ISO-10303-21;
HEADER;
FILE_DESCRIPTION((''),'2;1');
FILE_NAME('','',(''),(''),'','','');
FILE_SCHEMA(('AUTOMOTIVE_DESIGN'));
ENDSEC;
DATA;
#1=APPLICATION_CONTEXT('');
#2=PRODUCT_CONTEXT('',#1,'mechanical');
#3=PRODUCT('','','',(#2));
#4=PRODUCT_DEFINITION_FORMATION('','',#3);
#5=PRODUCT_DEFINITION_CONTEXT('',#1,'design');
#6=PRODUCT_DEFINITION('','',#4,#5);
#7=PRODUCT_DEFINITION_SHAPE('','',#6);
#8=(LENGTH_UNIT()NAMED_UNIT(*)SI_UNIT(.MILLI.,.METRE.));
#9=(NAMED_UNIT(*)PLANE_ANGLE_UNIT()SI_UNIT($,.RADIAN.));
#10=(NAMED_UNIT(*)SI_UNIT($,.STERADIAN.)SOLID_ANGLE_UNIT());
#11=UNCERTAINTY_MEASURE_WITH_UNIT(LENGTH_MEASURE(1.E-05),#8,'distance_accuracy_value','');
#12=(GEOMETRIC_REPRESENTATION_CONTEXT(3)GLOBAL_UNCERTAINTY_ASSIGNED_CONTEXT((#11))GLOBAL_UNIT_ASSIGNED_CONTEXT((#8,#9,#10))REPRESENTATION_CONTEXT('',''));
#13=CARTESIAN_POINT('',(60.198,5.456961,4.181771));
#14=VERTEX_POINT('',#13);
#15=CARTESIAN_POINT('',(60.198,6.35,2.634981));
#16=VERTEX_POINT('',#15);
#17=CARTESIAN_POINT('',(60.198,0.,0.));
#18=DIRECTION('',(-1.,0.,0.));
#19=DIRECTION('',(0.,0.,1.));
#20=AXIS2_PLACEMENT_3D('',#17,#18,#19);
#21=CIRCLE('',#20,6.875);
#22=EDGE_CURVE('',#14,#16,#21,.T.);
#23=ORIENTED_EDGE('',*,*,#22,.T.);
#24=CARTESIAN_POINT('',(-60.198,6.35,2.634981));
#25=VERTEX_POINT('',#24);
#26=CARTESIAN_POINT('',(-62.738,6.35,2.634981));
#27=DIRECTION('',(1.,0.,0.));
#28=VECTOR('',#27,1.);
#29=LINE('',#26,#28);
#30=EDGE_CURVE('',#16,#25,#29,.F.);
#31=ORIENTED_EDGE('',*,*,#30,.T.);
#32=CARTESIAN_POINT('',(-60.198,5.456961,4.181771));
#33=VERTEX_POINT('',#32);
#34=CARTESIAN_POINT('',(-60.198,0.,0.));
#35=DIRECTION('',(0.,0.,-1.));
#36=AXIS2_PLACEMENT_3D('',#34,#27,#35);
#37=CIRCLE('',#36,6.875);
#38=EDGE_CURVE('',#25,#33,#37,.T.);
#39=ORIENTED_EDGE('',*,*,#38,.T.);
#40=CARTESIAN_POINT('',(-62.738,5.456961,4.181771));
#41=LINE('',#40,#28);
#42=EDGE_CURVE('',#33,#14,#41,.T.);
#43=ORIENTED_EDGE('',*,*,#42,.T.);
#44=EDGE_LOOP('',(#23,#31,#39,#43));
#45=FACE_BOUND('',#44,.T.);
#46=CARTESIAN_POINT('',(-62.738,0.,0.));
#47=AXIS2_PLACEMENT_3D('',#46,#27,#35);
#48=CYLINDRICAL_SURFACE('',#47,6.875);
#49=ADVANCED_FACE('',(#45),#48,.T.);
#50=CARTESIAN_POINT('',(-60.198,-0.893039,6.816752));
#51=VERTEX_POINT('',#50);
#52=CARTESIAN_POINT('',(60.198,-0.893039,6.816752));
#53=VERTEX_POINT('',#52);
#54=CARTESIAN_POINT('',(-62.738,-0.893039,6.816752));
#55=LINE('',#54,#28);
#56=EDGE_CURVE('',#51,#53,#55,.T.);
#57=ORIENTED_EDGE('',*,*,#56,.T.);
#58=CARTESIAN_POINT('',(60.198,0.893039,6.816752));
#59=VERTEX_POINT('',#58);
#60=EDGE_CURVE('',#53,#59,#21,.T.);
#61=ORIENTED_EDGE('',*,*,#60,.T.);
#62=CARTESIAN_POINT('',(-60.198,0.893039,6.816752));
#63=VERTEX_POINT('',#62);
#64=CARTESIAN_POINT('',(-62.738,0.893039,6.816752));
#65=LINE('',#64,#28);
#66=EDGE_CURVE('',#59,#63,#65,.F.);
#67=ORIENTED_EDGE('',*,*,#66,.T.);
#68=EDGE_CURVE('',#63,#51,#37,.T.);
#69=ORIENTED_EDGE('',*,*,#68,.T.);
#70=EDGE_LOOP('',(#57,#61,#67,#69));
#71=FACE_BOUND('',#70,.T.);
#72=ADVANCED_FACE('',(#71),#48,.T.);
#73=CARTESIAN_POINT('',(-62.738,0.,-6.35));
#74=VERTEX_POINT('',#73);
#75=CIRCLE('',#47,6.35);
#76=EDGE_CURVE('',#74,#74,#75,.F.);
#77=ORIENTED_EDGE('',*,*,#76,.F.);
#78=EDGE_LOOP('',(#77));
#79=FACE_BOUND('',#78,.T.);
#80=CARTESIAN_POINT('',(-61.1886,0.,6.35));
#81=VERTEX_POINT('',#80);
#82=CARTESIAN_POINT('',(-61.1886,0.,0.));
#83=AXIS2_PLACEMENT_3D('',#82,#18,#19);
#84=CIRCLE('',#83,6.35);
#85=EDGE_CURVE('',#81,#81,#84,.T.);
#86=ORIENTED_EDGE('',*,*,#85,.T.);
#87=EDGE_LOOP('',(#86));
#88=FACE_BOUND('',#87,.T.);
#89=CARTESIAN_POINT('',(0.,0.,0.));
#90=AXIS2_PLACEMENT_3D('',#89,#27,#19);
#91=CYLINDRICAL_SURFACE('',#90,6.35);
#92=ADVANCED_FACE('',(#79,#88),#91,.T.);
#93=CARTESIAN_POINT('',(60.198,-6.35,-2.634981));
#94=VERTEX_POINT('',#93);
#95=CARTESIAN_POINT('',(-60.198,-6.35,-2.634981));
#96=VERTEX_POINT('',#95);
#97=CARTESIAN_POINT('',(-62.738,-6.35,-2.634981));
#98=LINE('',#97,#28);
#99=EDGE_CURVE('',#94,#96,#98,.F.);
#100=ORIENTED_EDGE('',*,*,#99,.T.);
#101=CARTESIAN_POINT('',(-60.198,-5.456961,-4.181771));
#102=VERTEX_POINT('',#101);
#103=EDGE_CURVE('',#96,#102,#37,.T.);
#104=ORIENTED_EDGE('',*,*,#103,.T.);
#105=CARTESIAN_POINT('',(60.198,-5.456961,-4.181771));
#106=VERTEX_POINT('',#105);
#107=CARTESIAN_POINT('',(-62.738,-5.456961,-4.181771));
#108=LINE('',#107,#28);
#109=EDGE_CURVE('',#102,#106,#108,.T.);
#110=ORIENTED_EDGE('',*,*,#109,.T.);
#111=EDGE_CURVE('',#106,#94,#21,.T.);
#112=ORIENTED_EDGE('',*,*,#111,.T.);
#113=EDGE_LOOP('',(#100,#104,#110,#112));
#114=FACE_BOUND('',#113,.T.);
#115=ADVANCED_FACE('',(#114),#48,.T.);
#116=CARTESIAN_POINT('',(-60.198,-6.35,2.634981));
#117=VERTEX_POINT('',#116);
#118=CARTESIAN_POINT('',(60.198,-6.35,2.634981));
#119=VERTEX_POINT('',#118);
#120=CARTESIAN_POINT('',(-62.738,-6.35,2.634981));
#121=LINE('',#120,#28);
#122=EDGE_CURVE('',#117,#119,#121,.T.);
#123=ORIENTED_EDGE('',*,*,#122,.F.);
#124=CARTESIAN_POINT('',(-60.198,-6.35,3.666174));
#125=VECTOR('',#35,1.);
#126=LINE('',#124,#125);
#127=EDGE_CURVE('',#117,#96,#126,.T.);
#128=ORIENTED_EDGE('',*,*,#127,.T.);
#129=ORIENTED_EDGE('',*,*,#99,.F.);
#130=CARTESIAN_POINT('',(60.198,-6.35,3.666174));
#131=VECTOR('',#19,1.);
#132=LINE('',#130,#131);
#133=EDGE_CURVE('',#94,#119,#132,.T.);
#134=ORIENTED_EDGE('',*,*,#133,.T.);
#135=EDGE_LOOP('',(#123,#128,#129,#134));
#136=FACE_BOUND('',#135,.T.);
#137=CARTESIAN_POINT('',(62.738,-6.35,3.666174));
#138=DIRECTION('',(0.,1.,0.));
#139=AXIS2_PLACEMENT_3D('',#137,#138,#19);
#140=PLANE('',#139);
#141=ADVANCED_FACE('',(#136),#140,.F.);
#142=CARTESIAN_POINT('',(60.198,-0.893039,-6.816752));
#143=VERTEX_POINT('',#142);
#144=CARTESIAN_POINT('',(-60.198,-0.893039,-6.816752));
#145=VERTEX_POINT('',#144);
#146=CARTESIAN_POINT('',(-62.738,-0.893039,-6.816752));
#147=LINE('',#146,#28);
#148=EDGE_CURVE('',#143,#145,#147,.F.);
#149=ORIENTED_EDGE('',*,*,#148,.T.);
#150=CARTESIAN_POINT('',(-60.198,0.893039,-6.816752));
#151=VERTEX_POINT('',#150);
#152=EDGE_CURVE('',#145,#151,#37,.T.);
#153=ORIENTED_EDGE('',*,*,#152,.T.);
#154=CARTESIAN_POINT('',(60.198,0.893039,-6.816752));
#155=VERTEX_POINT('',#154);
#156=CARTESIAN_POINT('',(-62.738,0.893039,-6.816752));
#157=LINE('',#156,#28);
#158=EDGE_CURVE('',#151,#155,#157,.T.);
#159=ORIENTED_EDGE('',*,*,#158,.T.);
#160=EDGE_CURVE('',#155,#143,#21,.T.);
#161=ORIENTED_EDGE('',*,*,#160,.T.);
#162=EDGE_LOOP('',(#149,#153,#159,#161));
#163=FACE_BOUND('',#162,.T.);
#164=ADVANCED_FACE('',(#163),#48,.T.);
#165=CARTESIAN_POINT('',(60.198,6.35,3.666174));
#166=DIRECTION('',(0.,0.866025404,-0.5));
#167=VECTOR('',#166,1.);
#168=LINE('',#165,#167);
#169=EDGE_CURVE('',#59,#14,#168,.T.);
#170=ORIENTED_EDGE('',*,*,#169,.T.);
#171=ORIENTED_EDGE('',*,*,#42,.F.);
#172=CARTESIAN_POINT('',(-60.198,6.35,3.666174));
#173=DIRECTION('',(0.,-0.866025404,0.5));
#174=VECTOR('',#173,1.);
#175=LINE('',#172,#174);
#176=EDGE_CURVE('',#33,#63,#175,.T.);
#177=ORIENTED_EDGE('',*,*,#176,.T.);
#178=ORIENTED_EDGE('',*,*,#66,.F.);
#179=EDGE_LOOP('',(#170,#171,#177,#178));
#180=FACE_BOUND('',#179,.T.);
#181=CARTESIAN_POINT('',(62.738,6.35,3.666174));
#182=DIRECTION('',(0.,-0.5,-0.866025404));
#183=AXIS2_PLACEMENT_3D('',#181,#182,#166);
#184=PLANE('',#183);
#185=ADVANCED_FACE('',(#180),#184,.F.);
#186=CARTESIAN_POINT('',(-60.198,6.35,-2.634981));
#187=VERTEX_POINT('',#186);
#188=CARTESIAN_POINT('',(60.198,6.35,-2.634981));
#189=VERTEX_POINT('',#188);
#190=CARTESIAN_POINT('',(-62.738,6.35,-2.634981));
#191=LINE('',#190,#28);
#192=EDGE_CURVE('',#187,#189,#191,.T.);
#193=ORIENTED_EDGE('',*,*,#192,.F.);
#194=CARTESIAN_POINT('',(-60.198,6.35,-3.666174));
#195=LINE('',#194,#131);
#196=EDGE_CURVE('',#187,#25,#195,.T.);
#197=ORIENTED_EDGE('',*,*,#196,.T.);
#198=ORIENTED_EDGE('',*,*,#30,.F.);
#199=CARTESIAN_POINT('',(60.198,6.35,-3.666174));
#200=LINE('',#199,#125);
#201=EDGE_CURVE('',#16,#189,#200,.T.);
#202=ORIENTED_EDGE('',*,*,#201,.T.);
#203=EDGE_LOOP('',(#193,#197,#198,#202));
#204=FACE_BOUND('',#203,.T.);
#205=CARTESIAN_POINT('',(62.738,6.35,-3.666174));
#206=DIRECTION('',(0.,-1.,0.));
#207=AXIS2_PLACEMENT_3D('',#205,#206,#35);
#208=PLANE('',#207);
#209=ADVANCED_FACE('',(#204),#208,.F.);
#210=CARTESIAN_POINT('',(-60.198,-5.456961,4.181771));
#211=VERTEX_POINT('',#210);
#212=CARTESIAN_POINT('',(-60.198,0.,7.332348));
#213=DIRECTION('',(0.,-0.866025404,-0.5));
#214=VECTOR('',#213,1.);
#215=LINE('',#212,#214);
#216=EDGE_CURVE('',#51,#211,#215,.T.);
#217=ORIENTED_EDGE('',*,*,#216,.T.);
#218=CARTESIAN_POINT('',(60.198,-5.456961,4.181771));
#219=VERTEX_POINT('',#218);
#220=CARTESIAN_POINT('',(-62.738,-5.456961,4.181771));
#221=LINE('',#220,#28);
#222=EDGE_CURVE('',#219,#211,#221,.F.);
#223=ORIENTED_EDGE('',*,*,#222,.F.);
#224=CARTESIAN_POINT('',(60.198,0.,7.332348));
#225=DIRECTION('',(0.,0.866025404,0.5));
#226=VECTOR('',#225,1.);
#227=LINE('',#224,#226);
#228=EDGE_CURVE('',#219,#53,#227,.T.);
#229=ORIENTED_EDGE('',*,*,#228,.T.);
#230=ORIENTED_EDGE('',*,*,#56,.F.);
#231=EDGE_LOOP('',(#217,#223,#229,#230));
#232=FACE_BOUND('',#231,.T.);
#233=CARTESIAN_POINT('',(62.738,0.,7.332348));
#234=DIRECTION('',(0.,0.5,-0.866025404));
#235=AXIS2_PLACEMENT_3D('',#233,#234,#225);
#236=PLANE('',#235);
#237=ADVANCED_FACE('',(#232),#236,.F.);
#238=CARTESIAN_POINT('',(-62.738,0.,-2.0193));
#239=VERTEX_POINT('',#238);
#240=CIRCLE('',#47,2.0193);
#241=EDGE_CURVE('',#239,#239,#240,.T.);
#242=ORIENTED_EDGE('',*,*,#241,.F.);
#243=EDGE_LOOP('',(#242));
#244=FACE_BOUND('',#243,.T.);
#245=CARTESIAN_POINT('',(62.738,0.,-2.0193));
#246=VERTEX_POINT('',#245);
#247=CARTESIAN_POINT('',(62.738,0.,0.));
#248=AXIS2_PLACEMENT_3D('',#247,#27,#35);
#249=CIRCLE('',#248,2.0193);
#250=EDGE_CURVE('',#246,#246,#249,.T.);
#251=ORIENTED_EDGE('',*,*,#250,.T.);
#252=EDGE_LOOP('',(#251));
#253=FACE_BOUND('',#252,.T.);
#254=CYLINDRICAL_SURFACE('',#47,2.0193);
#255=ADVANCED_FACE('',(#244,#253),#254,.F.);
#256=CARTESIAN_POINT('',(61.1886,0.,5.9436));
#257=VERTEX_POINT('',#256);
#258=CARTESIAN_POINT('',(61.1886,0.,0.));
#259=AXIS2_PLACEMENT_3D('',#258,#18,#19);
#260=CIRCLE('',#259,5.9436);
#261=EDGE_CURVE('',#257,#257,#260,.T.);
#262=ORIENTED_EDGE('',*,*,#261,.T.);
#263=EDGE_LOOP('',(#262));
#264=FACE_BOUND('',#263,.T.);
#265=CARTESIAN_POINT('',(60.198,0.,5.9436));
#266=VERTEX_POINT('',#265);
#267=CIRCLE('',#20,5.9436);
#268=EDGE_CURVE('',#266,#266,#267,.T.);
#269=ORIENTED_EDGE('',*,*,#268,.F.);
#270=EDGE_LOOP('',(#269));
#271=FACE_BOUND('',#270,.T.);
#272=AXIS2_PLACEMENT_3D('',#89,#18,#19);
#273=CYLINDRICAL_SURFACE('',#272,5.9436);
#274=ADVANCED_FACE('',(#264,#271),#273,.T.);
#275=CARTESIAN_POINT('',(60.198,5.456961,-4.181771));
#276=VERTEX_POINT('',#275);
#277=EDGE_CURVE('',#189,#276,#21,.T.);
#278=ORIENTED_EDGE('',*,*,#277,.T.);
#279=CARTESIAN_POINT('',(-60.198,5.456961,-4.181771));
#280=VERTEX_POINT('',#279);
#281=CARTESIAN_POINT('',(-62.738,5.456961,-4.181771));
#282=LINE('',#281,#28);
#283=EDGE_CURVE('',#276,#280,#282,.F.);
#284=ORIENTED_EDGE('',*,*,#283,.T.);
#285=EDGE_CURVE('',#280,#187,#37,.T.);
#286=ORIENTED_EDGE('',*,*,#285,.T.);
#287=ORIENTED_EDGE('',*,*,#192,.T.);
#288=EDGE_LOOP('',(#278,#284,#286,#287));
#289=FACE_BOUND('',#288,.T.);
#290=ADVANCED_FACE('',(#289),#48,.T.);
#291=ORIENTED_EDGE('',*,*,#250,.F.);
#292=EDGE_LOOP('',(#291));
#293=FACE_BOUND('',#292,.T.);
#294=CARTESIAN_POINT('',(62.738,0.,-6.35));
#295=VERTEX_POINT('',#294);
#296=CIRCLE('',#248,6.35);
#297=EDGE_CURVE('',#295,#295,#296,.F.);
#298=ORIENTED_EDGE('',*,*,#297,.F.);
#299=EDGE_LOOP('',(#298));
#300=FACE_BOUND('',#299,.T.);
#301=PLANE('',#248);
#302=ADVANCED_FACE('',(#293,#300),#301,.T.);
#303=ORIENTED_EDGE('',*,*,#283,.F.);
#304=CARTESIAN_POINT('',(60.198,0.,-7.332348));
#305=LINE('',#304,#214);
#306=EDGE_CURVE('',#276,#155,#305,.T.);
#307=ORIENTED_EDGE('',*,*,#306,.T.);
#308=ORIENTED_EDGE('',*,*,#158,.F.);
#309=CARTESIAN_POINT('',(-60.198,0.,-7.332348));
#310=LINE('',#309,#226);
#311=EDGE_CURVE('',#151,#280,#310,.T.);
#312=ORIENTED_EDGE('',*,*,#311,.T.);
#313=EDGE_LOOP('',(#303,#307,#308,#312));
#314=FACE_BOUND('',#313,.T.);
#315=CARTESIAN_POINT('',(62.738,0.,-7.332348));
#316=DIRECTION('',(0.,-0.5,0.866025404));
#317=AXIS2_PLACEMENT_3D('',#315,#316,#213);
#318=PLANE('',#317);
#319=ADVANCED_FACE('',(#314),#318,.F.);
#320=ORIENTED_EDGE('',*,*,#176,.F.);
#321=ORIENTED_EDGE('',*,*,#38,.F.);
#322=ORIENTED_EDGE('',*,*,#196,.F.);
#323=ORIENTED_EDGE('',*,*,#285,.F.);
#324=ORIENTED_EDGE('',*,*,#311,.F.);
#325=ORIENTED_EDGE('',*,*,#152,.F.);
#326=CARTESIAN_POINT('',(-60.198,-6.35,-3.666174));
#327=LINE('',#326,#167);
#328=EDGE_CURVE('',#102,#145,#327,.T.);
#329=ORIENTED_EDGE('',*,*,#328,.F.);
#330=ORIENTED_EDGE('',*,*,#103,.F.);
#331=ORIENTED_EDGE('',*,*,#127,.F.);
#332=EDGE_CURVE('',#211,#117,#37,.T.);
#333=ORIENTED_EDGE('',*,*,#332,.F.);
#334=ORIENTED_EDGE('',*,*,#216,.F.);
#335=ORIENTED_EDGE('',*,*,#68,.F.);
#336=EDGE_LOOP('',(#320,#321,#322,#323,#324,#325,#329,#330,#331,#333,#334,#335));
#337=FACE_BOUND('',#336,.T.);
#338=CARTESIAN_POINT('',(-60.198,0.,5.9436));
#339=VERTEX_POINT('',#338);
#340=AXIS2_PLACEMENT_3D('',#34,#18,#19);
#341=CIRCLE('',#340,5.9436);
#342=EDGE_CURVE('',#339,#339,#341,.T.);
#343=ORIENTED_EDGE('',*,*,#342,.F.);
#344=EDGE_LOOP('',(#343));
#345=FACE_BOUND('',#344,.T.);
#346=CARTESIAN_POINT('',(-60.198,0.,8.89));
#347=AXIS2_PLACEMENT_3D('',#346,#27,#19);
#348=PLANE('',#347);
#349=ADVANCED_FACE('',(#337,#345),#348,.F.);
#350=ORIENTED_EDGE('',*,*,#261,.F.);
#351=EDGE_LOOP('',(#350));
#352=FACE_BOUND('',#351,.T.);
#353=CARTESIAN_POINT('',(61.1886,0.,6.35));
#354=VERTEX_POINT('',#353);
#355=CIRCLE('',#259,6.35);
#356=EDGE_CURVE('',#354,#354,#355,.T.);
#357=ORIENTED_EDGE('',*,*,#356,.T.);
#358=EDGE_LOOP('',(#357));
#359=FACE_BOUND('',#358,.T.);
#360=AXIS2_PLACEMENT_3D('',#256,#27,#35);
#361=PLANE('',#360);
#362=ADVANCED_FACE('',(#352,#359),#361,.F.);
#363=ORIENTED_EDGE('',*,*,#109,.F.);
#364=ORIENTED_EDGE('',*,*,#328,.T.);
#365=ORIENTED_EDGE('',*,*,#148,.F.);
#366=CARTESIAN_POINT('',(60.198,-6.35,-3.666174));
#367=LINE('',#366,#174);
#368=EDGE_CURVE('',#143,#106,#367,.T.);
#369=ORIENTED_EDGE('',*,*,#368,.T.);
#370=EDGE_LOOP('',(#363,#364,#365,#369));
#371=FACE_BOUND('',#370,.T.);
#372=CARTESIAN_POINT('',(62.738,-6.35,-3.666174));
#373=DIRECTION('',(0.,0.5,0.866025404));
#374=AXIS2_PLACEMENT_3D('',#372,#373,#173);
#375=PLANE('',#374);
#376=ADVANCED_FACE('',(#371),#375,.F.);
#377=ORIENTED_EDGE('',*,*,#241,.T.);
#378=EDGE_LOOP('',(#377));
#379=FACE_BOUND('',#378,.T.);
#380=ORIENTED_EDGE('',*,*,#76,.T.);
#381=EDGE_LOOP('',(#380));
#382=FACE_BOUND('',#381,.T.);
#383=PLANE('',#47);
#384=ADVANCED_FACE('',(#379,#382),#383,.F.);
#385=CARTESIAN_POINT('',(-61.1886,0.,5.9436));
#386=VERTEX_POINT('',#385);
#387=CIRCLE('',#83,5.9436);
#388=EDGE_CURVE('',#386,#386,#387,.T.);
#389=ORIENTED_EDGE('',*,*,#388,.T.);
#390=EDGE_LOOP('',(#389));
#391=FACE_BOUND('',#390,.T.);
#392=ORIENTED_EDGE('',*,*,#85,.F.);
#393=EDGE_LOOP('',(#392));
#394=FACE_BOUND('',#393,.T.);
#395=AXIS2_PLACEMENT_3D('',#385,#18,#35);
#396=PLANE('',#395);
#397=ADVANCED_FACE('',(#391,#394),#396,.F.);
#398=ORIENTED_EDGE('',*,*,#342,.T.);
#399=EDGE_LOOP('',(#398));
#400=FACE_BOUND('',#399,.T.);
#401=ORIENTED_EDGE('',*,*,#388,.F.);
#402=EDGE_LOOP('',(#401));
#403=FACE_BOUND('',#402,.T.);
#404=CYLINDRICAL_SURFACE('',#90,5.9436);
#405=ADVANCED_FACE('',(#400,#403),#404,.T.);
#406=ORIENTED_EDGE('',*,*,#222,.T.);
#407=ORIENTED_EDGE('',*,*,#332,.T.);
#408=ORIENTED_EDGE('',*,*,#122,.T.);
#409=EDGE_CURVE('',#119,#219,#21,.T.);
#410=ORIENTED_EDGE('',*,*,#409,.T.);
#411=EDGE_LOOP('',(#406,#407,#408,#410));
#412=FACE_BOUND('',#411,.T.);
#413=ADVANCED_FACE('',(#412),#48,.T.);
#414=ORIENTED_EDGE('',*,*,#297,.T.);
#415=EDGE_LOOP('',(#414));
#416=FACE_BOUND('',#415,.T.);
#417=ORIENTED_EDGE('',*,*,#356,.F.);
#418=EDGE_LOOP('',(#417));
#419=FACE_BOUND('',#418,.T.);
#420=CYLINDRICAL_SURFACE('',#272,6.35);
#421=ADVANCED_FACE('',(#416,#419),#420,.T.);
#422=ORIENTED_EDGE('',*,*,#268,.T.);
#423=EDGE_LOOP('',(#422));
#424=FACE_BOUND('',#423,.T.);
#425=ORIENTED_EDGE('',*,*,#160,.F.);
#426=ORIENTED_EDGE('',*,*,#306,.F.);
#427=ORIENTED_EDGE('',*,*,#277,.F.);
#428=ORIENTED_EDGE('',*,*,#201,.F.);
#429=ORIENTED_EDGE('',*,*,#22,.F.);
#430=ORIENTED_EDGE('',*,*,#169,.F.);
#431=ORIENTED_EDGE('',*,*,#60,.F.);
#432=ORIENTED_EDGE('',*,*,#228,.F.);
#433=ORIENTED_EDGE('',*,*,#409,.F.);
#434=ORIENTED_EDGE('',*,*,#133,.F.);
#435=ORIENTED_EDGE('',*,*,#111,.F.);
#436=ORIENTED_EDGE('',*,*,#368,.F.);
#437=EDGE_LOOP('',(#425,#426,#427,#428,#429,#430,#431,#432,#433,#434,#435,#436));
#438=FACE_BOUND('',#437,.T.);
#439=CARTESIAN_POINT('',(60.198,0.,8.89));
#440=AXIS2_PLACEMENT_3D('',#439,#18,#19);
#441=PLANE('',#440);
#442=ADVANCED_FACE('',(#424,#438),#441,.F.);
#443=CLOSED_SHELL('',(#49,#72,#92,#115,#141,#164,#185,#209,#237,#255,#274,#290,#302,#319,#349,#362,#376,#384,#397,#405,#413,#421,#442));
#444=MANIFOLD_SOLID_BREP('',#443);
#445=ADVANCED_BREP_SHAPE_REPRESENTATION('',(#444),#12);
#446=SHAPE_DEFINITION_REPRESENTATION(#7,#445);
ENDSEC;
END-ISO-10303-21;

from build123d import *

# Parameters (mm, degrees)
BOSS_EXTRUDE1_DEPTH = 62.738
SKETCH3_R           = 7.332348419
SKETCH3_R_2         = 6.875
SKETCH3_R_3         = 2.0193
CUT_EXTRUDE1_DEPTH  = 126.850357208


with BuildPart() as part:
    # Sketch1 → Boss-Extrude1 (new, symmetric)
    with BuildSketch(Plane(origin=(0, 0, 0), x_dir=(0, 0, -1), z_dir=(1, 0, 0))):
        Polygon((7.332348419, 0), (3.666174209, 6.35), (-3.666174209, 6.35), (-7.332348419, 0), (-3.666174209, -6.35), (3.666174209, -6.35), align=None)
    extrude(amount=BOSS_EXTRUDE1_DEPTH, both=True)

    # Sketch2 → Cut-Revolve1 (revolve, cut)
    with BuildSketch(Plane(origin=(0, 0, 0), x_dir=(1, 0, 0), z_dir=(0, 1, 0))):
        Polygon((60.198, -5.9436), (61.1886, -5.9436), (61.1886, -6.35), (62.738, -6.35), (62.738, -8.89), (60.198, -8.89), align=None)
    cut_revolve1 = revolve(axis=Axis((0, 0, 0), (1, 0, 0)), mode=Mode.SUBTRACT)

    # Mirror1: Cut-Revolve1 across plane
    add(cut_revolve1.mirror(Plane(origin=(0, 0, 0), x_dir=(0, 0, 1), z_dir=(1, 0, 0))), mode=Mode.SUBTRACT)

    # Sketch3 → Cut-Extrude1 (cut, through all)
    # profile 1 of 2: a face of its own
    with BuildSketch(Plane(origin=(62.738, 0, 0), x_dir=(0, 0, -1), z_dir=(1, 0, 0))):
        Circle(SKETCH3_R)
        Circle(SKETCH3_R_2, mode=Mode.SUBTRACT)
    # profile 2 of 2: a face of its own
    with BuildSketch(Plane(origin=(62.738, 0, 0), x_dir=(0, 0, -1), z_dir=(1, 0, 0))):
        Circle(SKETCH3_R_3)
    extrude(amount=-CUT_EXTRUDE1_DEPTH, mode=Mode.SUBTRACT)


solid = part.part
